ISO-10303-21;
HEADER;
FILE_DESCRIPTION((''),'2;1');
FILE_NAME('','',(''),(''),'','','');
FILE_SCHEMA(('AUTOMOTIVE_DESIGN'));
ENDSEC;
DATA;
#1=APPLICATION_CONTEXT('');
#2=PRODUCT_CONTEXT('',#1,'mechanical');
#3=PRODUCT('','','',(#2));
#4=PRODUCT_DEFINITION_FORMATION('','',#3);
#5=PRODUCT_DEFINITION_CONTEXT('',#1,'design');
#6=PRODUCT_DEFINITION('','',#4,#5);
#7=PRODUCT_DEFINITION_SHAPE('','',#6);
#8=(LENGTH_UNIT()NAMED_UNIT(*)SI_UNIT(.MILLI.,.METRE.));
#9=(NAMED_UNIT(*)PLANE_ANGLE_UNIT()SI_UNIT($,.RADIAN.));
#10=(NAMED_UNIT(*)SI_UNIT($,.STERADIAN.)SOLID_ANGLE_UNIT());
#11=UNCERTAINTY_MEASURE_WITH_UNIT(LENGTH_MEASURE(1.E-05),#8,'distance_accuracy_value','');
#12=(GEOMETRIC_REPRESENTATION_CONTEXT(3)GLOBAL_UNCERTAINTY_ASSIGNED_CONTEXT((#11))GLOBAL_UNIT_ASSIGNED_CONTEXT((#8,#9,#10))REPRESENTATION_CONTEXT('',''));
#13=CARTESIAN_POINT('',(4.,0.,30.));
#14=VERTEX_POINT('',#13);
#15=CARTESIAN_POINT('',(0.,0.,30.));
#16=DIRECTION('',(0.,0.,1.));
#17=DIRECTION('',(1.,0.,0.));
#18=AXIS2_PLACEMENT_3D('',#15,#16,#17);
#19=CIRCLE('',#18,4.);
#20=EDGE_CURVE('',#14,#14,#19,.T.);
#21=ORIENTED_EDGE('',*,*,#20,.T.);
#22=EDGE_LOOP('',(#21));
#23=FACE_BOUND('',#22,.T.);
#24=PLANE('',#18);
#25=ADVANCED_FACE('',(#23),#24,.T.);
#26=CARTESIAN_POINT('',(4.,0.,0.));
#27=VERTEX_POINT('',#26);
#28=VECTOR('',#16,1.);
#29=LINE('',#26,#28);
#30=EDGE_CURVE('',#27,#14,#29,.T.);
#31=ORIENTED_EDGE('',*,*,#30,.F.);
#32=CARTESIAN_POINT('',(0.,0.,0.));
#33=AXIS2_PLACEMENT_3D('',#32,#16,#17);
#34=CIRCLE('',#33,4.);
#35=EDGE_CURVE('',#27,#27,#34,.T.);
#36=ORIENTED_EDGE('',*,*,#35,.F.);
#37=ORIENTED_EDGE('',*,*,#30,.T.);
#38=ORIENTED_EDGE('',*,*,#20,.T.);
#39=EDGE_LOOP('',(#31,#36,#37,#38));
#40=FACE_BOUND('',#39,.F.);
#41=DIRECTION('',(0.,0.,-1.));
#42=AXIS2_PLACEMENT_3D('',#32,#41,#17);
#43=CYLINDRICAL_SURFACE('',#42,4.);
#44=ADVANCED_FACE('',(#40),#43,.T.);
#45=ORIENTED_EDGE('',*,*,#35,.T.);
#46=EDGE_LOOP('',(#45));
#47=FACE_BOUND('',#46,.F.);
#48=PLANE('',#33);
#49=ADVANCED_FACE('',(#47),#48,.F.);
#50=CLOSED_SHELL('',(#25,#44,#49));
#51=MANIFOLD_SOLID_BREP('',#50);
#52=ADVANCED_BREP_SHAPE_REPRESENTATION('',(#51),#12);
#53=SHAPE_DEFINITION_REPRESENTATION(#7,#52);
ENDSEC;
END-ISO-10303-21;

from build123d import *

# Parameters (mm, degrees)
SKETCH_R  = 4
PAD_DEPTH = 30


with BuildPart() as part:
    # Sketch → Pad (new body)
    with BuildSketch(Plane.XY):
        Circle(SKETCH_R)
    extrude(amount=PAD_DEPTH)


solid = part.part
